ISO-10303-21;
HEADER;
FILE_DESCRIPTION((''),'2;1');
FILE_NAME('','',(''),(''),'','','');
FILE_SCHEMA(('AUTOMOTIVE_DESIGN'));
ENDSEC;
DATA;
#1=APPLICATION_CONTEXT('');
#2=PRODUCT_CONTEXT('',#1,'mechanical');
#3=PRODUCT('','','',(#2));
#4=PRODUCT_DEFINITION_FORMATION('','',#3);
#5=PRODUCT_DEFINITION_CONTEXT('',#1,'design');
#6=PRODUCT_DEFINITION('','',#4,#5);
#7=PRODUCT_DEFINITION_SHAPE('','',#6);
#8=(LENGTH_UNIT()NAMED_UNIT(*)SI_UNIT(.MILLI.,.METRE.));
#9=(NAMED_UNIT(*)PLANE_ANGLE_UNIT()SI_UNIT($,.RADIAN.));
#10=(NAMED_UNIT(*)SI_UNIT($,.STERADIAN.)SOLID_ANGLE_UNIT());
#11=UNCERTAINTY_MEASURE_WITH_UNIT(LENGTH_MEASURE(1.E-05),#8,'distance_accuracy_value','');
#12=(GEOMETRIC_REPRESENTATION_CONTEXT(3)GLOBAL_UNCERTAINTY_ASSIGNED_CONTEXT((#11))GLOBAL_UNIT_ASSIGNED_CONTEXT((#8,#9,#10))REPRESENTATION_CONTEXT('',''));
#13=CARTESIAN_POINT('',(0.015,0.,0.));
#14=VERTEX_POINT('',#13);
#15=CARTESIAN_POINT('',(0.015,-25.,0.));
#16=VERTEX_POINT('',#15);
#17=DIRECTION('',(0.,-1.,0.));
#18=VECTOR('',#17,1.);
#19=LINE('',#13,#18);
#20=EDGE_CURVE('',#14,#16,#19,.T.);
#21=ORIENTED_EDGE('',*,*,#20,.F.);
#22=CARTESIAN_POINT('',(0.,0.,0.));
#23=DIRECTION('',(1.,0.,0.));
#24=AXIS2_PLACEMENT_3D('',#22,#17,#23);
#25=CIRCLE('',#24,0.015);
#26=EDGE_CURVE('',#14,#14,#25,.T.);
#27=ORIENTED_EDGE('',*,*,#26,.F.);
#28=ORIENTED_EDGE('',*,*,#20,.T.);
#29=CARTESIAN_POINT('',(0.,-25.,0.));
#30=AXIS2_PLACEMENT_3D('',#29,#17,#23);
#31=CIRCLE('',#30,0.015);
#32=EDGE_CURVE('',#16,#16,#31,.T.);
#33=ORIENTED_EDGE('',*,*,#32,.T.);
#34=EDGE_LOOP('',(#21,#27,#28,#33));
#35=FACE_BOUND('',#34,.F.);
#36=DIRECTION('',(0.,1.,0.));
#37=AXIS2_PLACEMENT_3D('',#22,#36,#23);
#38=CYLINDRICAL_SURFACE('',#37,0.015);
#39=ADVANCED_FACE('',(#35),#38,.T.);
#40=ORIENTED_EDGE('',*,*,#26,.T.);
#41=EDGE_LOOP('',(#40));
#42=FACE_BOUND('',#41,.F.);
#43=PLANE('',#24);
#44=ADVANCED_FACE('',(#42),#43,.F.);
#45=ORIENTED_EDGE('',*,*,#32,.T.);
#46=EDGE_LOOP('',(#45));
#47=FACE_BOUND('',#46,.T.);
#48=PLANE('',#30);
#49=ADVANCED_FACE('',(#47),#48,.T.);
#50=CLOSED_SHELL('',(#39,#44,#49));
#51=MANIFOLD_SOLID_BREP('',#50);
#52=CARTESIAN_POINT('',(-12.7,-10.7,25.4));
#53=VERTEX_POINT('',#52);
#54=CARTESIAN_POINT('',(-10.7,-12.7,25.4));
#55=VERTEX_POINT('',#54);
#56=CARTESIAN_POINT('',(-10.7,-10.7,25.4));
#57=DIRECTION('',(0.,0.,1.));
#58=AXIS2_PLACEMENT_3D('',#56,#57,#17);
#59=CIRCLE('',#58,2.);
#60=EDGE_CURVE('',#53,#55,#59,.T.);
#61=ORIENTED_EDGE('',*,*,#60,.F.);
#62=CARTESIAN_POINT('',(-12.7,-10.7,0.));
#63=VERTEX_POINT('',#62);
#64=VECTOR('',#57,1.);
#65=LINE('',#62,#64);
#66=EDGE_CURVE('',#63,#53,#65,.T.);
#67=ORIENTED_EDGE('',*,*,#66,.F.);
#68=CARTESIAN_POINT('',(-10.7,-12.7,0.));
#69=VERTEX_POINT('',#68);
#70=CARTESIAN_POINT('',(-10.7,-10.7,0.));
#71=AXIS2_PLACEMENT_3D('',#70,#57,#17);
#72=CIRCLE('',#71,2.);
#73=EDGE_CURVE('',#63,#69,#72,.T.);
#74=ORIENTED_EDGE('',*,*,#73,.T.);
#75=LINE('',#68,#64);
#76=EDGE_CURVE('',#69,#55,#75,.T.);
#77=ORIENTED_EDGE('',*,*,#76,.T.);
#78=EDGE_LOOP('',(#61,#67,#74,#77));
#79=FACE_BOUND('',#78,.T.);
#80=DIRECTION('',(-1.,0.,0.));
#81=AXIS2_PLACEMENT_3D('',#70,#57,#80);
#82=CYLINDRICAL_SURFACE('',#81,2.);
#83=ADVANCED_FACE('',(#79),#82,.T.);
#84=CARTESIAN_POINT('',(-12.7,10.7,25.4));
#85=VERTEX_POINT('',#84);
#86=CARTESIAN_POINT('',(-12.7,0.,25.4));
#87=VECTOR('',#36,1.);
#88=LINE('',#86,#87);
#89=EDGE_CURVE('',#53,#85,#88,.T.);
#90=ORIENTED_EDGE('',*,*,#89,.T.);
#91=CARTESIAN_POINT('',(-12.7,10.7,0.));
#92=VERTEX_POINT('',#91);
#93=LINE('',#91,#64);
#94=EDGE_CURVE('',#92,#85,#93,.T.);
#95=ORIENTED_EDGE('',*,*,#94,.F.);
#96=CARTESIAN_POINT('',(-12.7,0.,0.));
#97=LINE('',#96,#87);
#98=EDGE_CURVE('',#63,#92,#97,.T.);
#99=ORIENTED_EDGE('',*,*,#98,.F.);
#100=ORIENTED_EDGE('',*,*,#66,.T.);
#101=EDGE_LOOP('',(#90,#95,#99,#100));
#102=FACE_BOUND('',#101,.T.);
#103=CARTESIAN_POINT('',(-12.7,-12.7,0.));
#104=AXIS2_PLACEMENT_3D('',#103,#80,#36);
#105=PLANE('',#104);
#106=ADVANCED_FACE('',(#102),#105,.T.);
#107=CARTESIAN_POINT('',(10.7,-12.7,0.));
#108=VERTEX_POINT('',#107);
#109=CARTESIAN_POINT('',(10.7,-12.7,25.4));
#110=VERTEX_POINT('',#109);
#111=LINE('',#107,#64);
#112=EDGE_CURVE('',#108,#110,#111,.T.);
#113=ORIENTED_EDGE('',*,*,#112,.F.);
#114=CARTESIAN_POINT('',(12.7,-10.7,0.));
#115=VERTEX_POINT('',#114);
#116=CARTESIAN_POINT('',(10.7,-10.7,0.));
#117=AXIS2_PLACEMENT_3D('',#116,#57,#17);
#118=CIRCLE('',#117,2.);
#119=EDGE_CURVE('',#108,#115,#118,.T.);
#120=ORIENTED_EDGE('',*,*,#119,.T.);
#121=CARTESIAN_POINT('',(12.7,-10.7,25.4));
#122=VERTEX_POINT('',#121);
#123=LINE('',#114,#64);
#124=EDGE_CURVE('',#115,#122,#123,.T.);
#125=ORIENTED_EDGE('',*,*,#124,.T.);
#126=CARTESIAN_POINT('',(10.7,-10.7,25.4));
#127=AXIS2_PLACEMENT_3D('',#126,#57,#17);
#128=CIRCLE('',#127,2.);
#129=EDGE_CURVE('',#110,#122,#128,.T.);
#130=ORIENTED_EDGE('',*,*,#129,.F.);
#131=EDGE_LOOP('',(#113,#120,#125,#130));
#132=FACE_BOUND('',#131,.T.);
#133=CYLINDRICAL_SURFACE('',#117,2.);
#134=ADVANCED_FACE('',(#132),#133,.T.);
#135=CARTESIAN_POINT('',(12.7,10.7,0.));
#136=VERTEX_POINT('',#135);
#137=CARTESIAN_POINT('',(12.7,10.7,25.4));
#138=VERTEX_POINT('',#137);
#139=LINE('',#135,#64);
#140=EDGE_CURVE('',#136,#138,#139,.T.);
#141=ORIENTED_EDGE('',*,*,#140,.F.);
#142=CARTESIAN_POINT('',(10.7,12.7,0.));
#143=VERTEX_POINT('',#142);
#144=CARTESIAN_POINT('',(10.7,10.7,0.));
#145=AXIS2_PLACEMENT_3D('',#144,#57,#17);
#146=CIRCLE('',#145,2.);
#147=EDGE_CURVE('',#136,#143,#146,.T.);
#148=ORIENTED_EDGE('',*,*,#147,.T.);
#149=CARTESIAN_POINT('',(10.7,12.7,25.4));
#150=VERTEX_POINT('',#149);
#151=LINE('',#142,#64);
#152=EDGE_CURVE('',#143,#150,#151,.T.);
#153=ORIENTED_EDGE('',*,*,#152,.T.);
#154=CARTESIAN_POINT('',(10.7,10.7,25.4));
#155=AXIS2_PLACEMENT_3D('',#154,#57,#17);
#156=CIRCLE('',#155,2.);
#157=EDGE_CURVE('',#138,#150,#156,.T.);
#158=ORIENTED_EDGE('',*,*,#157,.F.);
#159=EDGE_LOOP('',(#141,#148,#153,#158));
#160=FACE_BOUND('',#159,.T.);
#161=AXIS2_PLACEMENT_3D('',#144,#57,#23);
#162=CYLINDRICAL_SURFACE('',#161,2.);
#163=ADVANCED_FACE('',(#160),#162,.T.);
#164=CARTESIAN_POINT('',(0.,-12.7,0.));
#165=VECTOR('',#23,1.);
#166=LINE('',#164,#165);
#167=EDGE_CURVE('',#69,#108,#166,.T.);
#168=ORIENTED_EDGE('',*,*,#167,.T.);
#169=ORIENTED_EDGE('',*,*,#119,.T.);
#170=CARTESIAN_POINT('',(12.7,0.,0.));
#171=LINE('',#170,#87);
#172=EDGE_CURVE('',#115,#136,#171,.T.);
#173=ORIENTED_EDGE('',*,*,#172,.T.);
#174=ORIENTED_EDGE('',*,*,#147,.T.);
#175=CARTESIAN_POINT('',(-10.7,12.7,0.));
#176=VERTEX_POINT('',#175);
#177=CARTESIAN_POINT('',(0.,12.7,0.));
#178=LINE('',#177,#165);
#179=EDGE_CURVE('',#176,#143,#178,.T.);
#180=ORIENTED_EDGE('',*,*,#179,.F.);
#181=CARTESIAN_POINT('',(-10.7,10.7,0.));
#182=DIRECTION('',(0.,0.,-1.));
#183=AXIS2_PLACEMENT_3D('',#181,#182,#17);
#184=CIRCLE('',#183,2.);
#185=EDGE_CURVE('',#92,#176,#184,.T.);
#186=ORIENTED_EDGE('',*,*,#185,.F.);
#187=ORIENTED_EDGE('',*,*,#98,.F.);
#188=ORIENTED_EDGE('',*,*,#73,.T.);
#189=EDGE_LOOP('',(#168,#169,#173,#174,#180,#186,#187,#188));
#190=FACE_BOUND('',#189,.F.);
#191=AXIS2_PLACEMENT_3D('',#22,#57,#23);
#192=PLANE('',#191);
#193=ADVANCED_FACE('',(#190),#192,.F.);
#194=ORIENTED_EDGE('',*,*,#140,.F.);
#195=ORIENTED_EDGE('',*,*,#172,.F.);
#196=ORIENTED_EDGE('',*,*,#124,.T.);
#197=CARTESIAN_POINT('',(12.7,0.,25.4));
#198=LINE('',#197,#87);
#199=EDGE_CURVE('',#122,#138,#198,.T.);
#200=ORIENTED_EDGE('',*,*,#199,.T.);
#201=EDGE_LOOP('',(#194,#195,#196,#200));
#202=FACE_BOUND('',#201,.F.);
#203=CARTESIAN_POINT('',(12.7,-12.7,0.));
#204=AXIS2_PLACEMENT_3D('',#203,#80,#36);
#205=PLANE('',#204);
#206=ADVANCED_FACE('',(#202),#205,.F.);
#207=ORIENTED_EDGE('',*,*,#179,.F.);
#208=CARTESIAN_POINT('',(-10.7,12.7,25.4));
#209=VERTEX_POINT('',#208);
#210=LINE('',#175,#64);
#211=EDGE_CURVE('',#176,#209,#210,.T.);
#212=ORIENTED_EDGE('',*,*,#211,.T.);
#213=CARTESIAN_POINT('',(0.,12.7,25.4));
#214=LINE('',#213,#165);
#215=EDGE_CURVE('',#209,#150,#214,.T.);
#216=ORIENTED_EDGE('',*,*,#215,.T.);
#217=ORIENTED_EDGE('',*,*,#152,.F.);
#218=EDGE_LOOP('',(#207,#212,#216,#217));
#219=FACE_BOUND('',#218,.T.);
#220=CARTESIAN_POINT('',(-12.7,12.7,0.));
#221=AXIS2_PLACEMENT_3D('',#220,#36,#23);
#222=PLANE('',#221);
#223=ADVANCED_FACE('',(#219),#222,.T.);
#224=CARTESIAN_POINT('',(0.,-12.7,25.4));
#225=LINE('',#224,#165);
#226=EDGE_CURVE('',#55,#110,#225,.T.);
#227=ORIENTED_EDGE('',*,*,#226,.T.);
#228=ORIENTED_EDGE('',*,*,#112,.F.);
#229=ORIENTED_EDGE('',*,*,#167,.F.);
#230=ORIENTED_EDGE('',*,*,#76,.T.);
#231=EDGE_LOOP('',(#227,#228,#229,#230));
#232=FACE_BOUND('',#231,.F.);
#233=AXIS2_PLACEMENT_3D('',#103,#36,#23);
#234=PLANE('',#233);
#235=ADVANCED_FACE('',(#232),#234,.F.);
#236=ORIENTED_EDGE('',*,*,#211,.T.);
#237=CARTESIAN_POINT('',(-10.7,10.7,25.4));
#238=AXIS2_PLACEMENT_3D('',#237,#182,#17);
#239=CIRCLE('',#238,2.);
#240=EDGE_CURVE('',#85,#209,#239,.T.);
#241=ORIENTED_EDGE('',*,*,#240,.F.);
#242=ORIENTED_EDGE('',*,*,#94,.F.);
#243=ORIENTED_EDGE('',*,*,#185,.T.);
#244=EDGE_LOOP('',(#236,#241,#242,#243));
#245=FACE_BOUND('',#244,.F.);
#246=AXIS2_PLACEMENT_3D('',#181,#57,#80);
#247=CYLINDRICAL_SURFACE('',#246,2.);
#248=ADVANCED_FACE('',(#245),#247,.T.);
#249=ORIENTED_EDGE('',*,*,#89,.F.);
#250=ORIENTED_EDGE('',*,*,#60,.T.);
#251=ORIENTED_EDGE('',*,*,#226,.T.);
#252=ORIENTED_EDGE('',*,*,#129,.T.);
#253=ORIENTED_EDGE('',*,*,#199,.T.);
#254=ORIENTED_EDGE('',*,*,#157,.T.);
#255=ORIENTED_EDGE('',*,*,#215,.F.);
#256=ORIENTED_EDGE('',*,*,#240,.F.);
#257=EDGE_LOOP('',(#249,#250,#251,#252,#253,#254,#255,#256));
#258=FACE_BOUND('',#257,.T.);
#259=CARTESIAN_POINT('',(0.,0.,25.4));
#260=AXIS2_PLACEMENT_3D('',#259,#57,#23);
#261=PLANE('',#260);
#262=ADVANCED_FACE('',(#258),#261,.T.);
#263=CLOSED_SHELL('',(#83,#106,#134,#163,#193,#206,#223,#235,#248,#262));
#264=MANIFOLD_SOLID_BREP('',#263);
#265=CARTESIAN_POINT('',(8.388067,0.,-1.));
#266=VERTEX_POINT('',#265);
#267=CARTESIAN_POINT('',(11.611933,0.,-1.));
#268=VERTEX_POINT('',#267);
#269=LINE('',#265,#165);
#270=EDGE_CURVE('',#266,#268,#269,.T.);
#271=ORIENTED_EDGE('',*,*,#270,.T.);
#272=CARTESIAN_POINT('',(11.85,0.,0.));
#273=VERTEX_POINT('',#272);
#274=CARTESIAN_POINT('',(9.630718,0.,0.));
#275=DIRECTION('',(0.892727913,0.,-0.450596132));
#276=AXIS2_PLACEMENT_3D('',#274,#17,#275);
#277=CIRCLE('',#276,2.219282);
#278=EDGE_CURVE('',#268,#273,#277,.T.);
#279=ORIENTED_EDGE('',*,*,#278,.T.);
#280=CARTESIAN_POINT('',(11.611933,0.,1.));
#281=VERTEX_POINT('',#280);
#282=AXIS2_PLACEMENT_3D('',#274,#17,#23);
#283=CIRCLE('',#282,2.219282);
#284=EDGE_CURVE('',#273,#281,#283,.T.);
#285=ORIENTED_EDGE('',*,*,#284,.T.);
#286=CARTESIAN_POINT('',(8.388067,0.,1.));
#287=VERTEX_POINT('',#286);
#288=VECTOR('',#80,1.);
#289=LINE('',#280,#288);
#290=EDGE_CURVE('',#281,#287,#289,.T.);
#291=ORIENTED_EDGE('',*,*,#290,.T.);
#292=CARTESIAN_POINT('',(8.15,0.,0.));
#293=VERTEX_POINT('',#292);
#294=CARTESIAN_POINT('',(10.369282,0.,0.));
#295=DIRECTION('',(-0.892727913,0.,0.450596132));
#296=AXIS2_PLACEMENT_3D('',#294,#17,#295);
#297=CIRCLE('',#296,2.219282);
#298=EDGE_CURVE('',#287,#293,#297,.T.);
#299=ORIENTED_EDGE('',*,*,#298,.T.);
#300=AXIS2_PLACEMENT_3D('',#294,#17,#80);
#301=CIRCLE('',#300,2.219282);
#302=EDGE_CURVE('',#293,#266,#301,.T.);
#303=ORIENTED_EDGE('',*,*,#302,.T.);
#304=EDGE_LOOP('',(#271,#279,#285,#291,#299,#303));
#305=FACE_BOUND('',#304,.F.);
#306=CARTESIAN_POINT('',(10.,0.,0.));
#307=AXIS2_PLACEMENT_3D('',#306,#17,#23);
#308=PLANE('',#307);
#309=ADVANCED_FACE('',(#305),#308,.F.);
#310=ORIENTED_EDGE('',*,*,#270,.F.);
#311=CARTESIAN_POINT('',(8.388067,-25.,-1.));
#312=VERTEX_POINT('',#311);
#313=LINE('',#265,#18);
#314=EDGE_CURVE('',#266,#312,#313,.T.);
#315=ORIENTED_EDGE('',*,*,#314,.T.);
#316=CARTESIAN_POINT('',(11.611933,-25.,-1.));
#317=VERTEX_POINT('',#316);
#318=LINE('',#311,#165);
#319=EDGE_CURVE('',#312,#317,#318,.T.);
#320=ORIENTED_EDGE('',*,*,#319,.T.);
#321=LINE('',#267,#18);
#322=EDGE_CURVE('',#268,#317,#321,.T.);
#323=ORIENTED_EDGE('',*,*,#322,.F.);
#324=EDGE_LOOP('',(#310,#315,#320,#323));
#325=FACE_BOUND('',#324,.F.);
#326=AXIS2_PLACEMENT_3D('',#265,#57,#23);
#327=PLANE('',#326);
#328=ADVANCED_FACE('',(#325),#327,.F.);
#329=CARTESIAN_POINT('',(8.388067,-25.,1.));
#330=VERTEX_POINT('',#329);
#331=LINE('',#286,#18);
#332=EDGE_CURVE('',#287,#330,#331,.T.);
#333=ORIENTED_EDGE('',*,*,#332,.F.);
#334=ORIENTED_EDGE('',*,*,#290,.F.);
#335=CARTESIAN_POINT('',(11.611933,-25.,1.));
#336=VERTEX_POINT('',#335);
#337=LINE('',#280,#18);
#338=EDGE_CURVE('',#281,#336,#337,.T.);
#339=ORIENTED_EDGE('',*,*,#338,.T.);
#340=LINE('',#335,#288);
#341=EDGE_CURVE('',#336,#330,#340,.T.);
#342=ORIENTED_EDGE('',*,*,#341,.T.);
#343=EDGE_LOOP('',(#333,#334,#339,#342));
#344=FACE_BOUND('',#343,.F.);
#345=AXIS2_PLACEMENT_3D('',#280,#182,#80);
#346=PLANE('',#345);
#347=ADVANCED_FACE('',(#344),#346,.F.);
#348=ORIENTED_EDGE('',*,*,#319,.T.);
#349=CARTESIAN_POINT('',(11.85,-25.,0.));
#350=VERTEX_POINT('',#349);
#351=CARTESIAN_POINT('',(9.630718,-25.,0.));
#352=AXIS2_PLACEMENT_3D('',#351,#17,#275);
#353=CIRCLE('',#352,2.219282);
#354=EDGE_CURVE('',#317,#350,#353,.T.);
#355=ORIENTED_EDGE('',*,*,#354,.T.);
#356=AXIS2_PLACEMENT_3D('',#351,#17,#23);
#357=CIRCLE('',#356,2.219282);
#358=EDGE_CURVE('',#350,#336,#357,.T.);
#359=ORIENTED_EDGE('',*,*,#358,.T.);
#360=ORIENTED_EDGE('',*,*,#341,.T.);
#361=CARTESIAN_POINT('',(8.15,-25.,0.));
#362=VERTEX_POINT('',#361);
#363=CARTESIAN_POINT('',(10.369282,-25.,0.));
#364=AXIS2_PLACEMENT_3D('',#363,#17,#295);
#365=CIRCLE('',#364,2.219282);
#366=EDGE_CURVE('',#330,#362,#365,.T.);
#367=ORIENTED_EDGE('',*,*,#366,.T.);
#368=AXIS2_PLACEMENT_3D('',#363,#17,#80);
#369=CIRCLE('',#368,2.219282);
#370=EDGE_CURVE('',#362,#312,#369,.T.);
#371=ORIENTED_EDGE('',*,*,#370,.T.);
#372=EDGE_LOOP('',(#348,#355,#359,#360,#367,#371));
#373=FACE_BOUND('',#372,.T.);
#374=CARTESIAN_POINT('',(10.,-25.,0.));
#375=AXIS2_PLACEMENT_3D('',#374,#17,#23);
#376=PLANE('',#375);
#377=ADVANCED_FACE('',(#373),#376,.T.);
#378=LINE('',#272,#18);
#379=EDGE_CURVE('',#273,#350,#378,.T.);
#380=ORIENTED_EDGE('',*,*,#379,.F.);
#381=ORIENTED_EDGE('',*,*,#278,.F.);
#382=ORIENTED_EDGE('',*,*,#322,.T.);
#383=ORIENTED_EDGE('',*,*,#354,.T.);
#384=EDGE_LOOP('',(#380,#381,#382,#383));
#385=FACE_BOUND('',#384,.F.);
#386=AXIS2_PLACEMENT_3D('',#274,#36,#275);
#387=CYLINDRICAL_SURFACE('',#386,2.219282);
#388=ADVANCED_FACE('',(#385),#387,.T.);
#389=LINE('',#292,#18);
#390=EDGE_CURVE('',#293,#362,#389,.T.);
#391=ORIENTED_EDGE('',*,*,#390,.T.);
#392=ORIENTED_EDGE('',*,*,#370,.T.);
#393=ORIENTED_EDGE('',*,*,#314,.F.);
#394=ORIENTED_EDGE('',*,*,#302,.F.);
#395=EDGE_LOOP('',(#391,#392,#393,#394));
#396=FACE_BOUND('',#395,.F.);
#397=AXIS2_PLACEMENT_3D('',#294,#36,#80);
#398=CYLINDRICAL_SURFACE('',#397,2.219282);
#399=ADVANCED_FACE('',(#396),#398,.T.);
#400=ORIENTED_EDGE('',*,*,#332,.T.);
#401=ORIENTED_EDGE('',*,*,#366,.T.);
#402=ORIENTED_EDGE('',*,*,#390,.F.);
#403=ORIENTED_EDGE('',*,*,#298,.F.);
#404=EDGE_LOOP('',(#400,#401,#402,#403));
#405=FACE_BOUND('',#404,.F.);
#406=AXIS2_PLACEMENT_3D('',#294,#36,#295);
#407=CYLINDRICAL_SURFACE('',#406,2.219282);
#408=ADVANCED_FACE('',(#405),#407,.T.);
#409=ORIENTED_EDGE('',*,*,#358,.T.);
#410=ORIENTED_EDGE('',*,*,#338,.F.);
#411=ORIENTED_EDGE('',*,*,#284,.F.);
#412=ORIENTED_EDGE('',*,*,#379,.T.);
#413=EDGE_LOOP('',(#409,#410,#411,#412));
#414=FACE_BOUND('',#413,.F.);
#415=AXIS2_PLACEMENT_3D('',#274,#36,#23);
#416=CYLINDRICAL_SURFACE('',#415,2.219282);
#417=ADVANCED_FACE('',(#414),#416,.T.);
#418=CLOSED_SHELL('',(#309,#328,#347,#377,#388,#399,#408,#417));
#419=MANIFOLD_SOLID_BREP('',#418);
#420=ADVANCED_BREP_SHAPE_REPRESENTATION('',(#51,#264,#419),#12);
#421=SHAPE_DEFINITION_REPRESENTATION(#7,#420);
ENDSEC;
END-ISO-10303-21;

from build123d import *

# Parameters (mm, degrees)
F0_W     = 25.4
F0_H     = 25.4
F1_DEPTH = 25.4
F2_R     = 2
F3_R     = 0.015
F4_DEPTH = 25
F6_DEPTH = 25


with BuildPart() as f1:
    # F0 (on Top) → F1 (new body)
    with BuildSketch(Plane.XY):
        Rectangle(F0_W, F0_H)
    extrude(amount=F1_DEPTH)

    # F2
    f2_edges = [f1.edges().sort_by_distance(p)[0] for p in [
        (-12.7, -12.7, 12.7),
        (12.7, -12.7, 12.7),
        (-12.7, 12.7, 12.7),
        (12.7, 12.7, 12.7),
    ]]
    fillet(f2_edges, radius=F2_R)


with BuildPart() as f4:
    # F3 (on Front) → F4 (new body)
    with BuildSketch(Plane.XZ):
        Circle(F3_R)
    extrude(amount=F4_DEPTH)


with BuildPart() as f6:
    # F5 (on Front) → F6 (new body)
    with BuildSketch(Plane.XZ):
        with BuildLine():
            Line((11.6119329601, 1), (8.3880670399, 1))
            ThreePointArc((8.3880670399, 1), (8.2103369688, 0.5139737142), (8.15, 0))
            ThreePointArc((8.15, 0), (8.2103369688, -0.5139737142), (8.3880670399, -1))
            Line((8.3880670399, -1), (11.6119329601, -1))
            ThreePointArc((11.6119329601, -1), (11.7896630312, -0.5139737142), (11.85, 0))
            ThreePointArc((11.85, 0), (11.7896630312, 0.5139737142), (11.6119329601, 1))
        make_face()
    extrude(amount=F6_DEPTH)


solid = Compound([f1.part, f4.part, f6.part])
